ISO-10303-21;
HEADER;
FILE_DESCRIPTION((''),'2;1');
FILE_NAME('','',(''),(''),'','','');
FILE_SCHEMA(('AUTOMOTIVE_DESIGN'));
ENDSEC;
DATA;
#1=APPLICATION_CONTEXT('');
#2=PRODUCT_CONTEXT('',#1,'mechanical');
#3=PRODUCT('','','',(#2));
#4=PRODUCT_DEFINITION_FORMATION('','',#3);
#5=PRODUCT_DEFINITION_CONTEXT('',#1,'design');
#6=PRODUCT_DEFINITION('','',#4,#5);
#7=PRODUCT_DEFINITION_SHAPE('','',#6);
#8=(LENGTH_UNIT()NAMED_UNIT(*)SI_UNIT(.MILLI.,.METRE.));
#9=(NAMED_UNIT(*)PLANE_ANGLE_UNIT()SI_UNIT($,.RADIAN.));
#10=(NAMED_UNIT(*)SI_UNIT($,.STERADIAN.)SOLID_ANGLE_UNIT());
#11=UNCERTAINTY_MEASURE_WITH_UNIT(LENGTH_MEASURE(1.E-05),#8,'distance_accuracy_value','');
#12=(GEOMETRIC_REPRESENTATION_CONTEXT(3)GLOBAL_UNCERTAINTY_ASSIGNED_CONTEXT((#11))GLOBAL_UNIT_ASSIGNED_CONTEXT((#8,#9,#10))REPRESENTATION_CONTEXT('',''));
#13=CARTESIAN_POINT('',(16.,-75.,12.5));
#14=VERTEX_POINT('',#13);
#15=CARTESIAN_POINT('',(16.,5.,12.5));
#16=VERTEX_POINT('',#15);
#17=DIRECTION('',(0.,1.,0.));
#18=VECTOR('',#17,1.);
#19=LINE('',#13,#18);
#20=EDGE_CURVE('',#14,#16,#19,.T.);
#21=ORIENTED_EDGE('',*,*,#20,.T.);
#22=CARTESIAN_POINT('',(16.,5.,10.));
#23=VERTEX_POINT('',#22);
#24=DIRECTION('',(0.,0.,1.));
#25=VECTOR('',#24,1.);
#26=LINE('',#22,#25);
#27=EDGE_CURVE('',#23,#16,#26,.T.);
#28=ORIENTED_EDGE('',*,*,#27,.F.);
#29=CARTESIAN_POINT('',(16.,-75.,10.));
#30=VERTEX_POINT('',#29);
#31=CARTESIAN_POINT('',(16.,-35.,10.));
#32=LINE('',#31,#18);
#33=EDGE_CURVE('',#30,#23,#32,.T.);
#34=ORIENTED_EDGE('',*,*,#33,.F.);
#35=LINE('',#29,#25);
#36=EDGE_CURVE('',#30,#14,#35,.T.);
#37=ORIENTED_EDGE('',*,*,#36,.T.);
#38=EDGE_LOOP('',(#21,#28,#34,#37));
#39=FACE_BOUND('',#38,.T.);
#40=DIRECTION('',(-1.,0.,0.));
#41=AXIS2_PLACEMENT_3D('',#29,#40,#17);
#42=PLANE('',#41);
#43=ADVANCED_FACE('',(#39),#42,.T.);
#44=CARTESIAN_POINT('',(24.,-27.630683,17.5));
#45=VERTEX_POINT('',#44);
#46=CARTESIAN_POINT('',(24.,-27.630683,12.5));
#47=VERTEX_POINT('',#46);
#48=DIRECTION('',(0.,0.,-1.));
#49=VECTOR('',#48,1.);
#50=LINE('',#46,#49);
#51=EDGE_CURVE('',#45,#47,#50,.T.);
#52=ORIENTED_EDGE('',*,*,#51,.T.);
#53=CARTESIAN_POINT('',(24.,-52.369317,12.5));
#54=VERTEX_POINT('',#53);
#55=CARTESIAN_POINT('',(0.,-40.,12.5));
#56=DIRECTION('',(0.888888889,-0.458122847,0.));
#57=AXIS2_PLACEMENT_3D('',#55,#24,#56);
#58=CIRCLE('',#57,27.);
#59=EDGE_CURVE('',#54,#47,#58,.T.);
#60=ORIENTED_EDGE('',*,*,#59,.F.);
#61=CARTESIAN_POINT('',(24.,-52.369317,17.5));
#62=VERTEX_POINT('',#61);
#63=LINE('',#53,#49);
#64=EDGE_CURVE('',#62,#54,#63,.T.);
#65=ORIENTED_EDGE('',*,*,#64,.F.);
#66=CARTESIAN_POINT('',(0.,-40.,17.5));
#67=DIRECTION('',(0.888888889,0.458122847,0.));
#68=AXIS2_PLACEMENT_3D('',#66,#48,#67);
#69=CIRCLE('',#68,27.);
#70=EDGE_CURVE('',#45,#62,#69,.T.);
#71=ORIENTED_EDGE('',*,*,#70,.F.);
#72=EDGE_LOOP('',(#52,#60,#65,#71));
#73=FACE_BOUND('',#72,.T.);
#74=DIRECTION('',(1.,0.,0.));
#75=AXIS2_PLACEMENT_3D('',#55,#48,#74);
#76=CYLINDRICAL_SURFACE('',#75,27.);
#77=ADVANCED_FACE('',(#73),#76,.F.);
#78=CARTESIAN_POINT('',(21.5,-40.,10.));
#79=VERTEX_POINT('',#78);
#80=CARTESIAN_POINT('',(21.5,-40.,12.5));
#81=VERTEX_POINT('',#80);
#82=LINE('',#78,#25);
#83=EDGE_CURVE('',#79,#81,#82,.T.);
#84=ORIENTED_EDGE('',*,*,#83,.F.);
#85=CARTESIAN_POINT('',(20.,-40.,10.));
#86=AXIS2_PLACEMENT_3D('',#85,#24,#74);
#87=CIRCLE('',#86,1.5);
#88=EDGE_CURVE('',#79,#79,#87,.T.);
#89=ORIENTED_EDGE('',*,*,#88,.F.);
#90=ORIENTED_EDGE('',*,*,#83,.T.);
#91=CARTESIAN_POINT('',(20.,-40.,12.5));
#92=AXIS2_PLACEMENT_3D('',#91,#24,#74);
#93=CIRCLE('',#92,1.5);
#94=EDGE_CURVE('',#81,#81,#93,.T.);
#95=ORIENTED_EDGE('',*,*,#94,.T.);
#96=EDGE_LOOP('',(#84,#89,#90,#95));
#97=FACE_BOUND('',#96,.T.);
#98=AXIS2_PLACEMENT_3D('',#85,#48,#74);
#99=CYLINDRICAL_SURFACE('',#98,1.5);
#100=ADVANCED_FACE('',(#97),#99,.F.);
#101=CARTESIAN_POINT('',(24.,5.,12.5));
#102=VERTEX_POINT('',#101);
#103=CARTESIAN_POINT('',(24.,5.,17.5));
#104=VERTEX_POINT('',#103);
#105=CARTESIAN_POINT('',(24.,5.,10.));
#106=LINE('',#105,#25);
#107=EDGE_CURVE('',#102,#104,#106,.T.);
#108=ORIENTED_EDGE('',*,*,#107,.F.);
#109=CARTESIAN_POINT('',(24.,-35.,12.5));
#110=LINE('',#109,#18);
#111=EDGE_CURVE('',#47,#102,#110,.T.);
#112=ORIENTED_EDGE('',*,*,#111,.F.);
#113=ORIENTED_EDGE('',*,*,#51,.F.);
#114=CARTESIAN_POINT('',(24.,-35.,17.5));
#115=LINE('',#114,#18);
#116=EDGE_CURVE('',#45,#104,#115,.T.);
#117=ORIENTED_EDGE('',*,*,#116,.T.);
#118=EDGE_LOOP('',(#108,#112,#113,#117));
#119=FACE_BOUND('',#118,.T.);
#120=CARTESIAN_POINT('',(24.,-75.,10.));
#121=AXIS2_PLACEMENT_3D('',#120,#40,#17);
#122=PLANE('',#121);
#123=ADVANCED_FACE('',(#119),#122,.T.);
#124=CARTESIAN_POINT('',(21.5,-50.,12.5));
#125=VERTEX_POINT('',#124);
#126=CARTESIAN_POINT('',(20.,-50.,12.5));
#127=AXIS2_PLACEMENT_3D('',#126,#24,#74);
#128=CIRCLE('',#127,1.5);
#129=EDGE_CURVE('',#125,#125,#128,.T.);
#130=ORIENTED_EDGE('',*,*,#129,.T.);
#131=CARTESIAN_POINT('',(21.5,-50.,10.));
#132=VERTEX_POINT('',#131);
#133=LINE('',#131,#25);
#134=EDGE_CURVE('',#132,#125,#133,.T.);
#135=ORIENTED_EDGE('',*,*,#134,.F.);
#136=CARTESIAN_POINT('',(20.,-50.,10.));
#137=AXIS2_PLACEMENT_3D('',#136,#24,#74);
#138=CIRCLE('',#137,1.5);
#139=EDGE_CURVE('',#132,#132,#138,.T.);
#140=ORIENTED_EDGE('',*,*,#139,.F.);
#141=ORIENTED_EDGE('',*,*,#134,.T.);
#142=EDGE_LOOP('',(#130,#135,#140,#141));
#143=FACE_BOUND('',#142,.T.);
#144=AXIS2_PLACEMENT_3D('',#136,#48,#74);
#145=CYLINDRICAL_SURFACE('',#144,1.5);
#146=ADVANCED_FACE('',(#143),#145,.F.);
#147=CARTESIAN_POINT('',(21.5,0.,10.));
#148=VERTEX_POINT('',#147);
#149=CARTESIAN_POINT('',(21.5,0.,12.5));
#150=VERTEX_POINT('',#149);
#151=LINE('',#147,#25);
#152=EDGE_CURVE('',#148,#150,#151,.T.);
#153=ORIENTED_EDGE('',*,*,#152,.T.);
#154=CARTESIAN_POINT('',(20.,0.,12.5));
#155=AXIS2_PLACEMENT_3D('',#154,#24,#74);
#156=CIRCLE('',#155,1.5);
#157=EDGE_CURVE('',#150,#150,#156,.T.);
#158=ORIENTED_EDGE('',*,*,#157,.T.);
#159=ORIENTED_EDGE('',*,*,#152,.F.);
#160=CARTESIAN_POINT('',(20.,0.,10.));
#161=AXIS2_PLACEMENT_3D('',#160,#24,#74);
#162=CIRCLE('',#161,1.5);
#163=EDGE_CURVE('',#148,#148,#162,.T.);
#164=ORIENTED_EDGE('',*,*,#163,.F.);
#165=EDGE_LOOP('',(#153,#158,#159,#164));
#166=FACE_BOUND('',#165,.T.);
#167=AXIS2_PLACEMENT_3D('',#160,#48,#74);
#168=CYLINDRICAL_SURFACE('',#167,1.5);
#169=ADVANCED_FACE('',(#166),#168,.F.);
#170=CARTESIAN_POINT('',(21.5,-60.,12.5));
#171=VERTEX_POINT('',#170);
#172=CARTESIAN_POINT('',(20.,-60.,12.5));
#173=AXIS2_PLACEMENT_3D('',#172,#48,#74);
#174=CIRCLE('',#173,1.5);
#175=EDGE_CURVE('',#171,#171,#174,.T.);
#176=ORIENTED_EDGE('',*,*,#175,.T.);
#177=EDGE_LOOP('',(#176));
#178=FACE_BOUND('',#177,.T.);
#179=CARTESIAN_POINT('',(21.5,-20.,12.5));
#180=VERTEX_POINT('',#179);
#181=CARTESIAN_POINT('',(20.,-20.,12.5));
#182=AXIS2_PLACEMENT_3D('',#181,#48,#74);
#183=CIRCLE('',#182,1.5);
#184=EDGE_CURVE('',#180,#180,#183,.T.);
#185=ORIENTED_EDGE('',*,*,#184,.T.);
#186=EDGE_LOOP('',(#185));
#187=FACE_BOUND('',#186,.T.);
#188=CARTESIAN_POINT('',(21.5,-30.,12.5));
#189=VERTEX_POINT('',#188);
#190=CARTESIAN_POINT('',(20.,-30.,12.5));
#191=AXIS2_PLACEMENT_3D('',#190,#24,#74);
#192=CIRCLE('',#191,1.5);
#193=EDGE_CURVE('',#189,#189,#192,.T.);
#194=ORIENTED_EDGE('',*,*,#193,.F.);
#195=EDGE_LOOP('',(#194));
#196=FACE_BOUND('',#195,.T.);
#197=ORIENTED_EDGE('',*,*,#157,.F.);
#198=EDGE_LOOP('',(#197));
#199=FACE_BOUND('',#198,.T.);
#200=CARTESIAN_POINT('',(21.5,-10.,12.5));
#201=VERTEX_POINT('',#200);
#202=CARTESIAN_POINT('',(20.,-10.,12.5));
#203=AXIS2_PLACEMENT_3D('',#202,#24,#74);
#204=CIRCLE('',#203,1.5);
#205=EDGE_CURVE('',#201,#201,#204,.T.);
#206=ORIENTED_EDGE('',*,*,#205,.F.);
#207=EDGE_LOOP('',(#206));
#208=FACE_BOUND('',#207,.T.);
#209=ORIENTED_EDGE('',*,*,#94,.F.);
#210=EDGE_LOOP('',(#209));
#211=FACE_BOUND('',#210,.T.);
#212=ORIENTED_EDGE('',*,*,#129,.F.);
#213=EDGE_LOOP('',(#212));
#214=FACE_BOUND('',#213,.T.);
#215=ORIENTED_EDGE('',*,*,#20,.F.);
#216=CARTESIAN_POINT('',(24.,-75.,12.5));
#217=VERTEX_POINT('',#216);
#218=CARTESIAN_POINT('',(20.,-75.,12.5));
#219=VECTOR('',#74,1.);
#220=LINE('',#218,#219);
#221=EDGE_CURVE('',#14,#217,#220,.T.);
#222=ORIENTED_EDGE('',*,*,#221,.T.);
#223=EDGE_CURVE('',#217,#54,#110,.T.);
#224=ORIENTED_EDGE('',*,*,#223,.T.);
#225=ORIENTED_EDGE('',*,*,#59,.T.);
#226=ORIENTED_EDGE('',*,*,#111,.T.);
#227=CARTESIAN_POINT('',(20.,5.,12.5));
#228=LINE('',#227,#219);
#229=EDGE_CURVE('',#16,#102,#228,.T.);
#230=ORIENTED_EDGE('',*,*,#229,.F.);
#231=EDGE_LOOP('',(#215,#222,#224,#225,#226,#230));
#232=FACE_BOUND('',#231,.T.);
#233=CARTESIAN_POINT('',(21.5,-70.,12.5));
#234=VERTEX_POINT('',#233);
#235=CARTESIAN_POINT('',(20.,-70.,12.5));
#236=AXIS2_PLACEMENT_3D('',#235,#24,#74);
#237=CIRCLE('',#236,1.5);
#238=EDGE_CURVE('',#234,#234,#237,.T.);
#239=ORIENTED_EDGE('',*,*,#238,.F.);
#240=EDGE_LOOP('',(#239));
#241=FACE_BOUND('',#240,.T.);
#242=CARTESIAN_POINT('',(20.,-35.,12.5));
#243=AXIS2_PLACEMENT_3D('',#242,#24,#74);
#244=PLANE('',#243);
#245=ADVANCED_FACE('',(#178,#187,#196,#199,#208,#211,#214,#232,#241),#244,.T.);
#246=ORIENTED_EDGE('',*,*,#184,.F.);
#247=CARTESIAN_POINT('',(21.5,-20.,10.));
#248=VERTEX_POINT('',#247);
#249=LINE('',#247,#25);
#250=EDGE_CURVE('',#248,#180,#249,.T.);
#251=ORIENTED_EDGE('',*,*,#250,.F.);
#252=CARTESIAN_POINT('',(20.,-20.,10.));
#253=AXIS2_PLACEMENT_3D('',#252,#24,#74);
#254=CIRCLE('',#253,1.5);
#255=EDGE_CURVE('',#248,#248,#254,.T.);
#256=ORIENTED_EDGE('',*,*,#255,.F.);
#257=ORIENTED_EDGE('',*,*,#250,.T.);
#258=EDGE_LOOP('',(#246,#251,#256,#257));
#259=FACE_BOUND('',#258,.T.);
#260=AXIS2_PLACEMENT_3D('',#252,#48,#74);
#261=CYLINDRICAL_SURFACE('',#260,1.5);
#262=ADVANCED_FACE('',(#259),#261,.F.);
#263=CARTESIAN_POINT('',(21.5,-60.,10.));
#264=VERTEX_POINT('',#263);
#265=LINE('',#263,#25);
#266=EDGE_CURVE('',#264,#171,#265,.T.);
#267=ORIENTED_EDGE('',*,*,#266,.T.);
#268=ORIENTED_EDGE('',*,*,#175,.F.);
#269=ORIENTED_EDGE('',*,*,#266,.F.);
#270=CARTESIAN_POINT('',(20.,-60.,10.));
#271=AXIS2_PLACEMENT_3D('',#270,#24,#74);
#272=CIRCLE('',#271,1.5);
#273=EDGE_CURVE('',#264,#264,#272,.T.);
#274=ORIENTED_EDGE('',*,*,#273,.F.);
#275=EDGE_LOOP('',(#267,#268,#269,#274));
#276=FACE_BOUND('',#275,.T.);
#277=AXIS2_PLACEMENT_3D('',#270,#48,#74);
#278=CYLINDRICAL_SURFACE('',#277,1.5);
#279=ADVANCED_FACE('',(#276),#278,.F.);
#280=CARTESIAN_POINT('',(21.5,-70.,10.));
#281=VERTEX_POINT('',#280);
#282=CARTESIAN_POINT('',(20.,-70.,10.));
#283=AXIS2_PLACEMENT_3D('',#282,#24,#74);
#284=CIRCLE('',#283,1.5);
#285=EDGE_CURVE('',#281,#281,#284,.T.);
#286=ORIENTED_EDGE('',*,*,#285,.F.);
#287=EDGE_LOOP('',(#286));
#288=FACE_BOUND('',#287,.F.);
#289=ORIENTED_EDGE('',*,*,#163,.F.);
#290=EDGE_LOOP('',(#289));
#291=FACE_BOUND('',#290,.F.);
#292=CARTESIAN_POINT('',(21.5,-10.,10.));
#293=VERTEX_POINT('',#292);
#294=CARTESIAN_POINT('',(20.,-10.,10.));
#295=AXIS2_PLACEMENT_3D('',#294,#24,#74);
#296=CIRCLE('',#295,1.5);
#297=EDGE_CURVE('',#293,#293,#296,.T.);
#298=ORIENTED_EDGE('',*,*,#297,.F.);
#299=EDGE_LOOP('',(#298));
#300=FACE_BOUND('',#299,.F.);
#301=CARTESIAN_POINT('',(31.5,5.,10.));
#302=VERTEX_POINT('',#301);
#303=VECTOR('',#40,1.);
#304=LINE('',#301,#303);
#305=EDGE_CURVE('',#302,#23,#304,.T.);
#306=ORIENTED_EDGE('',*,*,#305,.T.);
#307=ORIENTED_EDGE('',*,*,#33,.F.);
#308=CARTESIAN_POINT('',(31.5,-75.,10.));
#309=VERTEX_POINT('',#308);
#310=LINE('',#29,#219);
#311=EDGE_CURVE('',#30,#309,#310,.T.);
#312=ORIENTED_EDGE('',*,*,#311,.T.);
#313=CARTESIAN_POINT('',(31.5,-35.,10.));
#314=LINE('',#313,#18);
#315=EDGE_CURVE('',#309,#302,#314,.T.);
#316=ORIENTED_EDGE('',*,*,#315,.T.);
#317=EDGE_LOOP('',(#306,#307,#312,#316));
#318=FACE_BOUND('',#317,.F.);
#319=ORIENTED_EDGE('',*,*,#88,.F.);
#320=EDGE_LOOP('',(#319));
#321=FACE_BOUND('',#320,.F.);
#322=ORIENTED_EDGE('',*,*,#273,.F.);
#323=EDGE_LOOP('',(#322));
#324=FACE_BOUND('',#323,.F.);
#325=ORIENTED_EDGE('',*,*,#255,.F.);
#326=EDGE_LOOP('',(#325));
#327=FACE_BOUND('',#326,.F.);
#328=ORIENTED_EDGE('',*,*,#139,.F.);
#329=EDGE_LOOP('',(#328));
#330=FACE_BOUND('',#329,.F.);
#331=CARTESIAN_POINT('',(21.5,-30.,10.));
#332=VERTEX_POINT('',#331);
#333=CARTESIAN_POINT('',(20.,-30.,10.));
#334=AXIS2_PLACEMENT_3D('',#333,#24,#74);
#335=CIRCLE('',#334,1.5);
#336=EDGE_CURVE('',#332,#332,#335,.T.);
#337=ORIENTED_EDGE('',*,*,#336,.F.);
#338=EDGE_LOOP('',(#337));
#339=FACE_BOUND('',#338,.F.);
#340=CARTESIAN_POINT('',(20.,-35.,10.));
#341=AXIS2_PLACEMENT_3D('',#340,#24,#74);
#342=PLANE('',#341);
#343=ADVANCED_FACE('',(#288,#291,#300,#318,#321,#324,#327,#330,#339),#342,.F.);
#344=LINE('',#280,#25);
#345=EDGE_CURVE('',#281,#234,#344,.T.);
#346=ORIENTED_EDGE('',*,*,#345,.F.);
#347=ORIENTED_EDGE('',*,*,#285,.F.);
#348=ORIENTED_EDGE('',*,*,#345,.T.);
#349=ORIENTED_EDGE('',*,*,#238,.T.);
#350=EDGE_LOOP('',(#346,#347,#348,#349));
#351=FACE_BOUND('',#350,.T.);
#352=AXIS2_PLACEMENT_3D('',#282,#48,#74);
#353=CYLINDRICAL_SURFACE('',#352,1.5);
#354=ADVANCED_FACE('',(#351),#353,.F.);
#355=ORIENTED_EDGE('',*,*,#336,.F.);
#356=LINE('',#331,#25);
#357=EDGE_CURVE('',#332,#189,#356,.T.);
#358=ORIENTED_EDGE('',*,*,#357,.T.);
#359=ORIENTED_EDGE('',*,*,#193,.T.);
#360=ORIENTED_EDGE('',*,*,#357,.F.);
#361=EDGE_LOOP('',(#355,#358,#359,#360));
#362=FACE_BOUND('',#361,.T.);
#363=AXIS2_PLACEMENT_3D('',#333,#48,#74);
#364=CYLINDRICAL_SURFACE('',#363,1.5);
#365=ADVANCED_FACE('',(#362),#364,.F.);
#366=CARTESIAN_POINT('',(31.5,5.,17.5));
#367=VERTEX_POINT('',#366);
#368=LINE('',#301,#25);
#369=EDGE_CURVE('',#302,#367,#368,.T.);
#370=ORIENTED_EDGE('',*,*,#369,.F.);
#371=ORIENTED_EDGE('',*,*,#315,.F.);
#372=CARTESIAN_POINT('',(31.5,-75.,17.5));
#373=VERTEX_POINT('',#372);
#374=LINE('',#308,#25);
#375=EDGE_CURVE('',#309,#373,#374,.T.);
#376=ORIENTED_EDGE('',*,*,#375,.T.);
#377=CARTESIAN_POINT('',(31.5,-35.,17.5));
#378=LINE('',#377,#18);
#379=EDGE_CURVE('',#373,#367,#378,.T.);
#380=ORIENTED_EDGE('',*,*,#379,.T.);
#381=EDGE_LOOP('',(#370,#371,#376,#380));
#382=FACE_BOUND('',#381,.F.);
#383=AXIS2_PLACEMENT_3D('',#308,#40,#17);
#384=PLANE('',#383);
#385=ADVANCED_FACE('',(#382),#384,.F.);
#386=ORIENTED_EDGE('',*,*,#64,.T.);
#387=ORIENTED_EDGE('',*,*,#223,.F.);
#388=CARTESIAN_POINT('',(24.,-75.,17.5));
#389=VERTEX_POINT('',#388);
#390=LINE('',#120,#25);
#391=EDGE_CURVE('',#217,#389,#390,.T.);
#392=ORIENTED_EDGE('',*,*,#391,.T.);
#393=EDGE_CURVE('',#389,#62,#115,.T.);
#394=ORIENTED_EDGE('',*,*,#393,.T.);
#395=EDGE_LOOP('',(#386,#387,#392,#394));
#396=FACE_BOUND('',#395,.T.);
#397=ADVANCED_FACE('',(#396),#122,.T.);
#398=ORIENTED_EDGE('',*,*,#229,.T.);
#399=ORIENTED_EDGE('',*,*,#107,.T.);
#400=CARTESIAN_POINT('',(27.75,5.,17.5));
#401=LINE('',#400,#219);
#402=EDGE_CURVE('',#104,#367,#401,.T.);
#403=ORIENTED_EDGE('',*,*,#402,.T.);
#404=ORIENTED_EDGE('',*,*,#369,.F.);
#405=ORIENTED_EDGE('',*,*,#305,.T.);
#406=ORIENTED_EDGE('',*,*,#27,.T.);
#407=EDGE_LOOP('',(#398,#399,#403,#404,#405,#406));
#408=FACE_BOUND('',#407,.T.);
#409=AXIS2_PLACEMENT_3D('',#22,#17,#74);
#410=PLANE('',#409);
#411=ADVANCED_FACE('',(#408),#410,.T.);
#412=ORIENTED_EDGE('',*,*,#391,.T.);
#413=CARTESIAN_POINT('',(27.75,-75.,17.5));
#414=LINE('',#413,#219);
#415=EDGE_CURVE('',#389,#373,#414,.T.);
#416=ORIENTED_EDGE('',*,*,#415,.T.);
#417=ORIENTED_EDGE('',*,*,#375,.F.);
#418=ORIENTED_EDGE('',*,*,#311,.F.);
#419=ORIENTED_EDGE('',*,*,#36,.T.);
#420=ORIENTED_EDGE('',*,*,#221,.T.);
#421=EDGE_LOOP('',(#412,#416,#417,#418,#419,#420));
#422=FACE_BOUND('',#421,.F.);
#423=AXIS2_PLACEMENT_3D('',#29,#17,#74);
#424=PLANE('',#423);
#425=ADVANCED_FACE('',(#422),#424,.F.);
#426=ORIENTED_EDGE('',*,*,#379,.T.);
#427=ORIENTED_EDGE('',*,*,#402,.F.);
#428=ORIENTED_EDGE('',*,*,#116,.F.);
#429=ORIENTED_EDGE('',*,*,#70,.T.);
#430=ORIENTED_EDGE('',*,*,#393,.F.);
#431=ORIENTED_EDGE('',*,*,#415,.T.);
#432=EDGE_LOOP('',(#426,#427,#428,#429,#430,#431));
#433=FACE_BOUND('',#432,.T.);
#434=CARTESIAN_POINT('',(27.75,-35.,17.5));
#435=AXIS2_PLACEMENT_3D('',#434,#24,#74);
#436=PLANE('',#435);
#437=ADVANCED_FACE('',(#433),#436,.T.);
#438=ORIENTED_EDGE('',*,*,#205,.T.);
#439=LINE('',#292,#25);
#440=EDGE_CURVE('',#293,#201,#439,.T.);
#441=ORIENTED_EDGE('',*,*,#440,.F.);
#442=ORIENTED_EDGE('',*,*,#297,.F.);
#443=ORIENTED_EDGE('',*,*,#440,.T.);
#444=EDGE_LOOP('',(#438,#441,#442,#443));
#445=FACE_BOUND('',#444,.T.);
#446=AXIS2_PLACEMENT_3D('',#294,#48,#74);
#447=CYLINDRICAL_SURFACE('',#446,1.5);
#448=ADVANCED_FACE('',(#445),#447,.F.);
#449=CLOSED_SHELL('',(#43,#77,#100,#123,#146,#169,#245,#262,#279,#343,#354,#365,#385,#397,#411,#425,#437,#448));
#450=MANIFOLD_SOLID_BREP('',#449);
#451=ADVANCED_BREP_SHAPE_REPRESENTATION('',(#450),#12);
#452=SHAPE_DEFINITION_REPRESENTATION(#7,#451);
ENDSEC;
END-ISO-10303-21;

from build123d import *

# Parameters (mm, degrees)
SKETCH013_R  = 27
PAD008_DEPTH = 10
SKETCH011_W  = 8
SKETCH011_H  = 80
SKETCH011_R  = 1.5
PAD007_DEPTH = 2.5
SKETCH010_W  = 7.5
SKETCH010_H  = 80
PAD006_DEPTH = 7.5


with BuildPart() as pad008:
    # Sketch013 → Pad008 (new body)
    with BuildSketch(Plane(origin=(0, -40, 12.5), x_dir=(1, 0, 0), z_dir=(0, 0, 1))):
        Circle(SKETCH013_R)
    extrude(amount=PAD008_DEPTH)


with BuildPart() as pad007:
    # Sketch011 → Pad007 (new body)
    with BuildSketch(Plane.XY.offset(10)):
        with Locations((-4, -40)):
            Rectangle(SKETCH011_W, SKETCH011_H)
        with Locations((-4, -45)):
            Circle(SKETCH011_R, mode=Mode.SUBTRACT)
        with Locations((-4, -65)):
            Circle(SKETCH011_R, mode=Mode.SUBTRACT)
        with Locations((-4, -55)):
            Circle(SKETCH011_R, mode=Mode.SUBTRACT)
        with Locations((-4, -75)):
            Circle(SKETCH011_R, mode=Mode.SUBTRACT)
        with Locations((-4, -35)):
            Circle(SKETCH011_R, mode=Mode.SUBTRACT)
        with Locations((-4, -25)):
            Circle(SKETCH011_R, mode=Mode.SUBTRACT)
        with Locations((-4, -15)):
            Circle(SKETCH011_R, mode=Mode.SUBTRACT)
        with Locations((-4, -5)):
            Circle(SKETCH011_R, mode=Mode.SUBTRACT)
    extrude(amount=PAD007_DEPTH)


with BuildPart() as cut002:
    # Sketch010 → Pad006 (new body)
    with BuildSketch(Plane.XY.offset(10)):
        with Locations((3.75, -40)):
            Rectangle(SKETCH010_W, SKETCH010_H)
    extrude(amount=PAD006_DEPTH)

    # Fusion003: union Pad007
    add(pad007.part)


with BuildPart() as cut002_1:
    # Fusion003 placement: moved
    add(cut002.part.moved(Location((24, 5, 0))))

    # Cut002: cut Pad008
    add(pad008.part, mode=Mode.SUBTRACT)


solid = cut002_1.part
